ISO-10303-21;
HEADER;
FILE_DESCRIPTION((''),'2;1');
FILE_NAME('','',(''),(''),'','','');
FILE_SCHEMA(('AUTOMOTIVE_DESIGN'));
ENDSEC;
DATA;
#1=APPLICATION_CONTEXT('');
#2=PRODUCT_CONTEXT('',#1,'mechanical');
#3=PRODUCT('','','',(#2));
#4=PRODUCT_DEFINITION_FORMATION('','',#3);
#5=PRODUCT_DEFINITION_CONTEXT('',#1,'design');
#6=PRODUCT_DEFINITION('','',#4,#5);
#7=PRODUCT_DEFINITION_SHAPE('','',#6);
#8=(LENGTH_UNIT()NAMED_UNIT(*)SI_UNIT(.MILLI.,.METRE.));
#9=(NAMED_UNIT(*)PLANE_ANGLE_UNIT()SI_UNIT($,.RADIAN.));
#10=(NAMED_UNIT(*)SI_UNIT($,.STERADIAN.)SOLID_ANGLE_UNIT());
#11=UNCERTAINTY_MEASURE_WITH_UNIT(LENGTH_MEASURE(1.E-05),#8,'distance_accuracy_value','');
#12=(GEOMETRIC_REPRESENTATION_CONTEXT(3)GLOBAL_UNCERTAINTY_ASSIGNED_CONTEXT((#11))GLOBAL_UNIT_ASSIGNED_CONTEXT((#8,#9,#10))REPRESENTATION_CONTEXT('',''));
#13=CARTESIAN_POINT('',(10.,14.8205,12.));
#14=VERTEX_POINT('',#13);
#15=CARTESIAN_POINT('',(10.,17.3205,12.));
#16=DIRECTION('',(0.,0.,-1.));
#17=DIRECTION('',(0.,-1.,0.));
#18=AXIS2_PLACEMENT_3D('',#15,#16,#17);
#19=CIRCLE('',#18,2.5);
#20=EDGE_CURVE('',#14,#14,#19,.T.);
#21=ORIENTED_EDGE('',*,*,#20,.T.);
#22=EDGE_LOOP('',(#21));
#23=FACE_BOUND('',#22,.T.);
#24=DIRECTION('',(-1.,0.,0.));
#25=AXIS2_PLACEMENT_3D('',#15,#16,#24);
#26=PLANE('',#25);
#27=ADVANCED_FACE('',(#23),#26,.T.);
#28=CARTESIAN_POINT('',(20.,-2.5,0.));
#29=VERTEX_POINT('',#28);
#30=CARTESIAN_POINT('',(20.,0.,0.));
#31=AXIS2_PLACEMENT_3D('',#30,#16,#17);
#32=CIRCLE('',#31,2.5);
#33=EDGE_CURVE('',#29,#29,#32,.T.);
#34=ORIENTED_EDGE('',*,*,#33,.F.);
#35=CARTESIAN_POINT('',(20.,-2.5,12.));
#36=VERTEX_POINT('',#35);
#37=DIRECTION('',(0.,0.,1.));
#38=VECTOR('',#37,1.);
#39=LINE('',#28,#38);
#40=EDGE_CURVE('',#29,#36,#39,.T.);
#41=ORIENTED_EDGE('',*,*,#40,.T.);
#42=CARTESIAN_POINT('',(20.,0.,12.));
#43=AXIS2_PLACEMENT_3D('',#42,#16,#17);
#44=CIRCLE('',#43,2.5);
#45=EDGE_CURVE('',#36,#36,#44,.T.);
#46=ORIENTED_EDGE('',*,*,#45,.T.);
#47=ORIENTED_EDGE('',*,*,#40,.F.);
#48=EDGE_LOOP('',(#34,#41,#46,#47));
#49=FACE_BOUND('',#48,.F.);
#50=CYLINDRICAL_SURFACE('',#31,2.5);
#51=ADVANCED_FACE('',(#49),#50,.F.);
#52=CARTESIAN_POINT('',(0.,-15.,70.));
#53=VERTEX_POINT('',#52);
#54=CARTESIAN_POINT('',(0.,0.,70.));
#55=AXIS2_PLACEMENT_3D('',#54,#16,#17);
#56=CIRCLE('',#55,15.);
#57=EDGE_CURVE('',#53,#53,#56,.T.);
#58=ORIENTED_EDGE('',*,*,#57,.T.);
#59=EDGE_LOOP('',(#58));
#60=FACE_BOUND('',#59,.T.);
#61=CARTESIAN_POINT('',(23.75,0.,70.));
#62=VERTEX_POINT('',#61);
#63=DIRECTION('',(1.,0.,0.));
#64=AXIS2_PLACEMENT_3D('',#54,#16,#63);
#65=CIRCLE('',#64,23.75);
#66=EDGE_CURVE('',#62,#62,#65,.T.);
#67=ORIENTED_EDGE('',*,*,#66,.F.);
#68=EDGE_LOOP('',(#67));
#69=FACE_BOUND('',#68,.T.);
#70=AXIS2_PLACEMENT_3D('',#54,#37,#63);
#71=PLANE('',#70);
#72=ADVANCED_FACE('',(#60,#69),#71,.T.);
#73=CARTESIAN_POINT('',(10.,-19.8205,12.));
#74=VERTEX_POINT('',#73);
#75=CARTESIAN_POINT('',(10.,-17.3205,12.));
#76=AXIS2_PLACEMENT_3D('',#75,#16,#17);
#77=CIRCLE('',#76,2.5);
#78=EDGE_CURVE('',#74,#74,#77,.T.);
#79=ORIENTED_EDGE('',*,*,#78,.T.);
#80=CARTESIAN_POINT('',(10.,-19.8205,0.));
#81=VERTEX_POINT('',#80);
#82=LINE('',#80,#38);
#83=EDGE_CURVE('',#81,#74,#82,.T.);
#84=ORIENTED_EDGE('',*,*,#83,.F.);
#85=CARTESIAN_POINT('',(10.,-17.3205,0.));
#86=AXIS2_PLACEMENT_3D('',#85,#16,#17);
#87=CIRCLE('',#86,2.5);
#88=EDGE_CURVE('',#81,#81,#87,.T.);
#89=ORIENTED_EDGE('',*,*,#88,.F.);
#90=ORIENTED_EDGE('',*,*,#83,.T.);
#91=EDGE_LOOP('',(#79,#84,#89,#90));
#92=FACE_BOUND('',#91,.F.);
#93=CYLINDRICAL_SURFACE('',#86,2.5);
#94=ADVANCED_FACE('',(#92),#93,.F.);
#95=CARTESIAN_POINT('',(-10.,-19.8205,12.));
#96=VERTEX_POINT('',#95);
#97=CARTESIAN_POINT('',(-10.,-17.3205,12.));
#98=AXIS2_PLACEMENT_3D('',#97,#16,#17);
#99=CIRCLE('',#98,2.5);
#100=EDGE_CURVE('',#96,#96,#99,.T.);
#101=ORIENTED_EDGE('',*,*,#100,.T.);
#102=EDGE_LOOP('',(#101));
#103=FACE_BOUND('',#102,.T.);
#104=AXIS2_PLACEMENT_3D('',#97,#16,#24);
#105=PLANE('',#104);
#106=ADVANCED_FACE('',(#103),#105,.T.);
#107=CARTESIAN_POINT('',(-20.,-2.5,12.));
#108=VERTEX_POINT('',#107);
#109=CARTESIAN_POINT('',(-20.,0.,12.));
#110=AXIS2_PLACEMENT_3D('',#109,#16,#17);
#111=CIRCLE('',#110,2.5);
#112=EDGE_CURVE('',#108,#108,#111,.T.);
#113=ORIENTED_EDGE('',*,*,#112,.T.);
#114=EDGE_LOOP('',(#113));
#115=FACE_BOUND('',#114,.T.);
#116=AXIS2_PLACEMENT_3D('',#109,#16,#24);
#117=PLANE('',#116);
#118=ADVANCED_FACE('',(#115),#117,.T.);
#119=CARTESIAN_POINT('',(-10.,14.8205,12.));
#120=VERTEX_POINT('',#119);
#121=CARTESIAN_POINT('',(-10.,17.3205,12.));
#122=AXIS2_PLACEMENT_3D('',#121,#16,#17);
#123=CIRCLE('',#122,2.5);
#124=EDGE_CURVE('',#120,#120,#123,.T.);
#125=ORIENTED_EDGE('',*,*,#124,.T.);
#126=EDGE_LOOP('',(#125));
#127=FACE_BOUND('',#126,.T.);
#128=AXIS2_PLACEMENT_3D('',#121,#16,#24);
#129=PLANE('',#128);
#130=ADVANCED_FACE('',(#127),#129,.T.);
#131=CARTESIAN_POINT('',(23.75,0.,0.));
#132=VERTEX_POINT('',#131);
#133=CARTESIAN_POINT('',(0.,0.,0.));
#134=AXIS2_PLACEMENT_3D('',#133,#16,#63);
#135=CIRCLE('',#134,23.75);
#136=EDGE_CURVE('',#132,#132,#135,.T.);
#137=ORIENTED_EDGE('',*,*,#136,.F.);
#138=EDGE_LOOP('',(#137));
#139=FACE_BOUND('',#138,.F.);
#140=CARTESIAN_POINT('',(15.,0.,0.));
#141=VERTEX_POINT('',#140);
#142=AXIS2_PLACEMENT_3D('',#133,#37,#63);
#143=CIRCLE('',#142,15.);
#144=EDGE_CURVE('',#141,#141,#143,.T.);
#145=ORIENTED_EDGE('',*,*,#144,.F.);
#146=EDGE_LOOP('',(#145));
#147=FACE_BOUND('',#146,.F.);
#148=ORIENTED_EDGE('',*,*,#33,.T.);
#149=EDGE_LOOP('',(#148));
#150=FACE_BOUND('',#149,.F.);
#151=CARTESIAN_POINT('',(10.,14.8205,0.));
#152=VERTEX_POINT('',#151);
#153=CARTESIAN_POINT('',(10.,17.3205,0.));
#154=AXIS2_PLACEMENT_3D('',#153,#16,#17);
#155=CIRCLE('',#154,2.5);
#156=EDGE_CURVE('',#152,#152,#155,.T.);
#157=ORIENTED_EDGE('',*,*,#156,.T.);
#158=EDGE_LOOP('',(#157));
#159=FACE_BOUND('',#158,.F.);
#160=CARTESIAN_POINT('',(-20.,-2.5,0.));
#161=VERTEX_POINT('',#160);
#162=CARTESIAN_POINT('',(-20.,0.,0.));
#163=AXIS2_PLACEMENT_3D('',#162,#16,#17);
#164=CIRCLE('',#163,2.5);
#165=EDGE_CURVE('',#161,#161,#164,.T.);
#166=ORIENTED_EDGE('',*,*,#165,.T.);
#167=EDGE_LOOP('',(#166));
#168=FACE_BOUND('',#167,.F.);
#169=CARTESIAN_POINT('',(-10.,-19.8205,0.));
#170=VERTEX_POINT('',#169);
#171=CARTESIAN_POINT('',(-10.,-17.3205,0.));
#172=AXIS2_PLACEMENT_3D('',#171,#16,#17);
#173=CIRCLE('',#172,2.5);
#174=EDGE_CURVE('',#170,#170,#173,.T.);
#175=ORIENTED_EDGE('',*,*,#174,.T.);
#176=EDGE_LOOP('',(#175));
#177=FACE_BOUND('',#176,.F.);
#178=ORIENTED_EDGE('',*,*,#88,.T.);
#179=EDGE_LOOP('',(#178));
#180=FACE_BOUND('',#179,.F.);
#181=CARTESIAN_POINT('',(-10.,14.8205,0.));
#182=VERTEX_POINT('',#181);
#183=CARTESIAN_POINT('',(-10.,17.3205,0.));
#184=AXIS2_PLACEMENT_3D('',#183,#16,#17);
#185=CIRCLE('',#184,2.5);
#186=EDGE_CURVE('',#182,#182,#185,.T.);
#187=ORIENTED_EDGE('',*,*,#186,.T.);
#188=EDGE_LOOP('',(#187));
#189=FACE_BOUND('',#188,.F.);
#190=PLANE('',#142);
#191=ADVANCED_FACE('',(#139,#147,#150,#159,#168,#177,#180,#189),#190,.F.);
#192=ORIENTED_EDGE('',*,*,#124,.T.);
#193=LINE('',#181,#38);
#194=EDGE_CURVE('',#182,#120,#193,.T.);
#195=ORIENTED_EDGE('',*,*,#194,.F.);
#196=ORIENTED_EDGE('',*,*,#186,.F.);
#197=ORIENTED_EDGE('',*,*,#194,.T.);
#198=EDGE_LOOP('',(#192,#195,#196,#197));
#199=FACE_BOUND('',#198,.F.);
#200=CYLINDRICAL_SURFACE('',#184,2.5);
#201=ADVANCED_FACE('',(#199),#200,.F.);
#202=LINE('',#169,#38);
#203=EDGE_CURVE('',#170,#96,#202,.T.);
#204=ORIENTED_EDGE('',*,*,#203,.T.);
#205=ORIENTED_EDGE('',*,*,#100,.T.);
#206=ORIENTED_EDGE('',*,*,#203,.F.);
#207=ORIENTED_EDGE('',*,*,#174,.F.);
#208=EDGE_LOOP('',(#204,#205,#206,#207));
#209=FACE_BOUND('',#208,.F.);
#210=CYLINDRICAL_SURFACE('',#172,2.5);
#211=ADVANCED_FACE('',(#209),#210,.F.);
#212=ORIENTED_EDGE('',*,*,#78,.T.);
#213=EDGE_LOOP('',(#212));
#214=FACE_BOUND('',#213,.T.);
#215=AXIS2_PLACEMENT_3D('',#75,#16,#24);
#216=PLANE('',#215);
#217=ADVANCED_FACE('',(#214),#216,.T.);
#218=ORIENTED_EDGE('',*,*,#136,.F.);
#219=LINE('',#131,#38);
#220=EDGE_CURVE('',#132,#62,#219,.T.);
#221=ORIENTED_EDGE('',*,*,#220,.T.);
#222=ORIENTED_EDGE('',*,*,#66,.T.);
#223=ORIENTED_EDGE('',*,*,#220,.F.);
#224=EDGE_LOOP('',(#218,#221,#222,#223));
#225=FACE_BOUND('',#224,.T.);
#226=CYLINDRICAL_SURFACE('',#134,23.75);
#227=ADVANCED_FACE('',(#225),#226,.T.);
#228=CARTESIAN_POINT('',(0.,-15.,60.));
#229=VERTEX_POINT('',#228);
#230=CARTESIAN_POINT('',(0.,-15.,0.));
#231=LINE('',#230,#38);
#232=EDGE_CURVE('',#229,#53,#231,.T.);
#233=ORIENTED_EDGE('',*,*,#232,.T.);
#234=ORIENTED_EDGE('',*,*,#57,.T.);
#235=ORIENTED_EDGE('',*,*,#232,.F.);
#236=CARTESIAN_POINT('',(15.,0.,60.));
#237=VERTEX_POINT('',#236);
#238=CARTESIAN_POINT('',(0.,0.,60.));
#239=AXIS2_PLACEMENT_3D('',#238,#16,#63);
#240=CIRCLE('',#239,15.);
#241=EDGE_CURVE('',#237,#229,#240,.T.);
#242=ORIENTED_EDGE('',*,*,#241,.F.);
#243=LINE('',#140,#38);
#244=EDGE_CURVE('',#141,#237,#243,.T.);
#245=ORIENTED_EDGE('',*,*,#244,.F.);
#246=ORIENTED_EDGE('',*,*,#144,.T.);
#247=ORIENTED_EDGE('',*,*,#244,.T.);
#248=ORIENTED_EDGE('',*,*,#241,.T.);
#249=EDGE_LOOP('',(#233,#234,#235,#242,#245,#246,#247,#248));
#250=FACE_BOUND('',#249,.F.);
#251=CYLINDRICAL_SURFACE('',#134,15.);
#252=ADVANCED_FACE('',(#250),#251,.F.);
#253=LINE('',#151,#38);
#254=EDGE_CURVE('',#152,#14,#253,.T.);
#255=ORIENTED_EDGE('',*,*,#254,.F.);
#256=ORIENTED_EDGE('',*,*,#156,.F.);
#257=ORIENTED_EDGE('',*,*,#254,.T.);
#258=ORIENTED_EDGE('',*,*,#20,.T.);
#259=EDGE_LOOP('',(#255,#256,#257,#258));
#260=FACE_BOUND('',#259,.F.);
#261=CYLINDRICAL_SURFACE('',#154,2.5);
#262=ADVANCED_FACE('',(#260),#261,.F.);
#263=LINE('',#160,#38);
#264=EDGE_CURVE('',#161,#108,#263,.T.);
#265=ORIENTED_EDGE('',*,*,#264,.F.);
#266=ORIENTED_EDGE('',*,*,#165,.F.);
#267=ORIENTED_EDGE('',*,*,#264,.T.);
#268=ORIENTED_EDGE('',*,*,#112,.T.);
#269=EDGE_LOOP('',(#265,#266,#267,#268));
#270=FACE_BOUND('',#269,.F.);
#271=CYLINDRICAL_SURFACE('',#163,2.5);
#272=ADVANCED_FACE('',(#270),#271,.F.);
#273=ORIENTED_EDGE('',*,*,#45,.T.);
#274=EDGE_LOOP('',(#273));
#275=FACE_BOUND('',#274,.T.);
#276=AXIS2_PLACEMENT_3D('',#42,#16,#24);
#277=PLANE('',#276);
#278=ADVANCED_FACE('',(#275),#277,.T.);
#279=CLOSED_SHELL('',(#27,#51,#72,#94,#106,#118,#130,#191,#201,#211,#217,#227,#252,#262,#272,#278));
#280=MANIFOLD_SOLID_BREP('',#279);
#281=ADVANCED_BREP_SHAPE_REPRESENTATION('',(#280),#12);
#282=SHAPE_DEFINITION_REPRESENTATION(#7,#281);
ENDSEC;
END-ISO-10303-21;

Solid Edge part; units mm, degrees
sketch "Sketch1" plane through (0, 0, 0) normal (0, 0, 1) x (1, 0, 0)
  circle A0 centre (0, 0) radius 25
extrude "Protrusion1" add sketch "Sketch1" along normal blind 70
sketch "Sketch2" plane through (0, 0, 0) normal (0, 0, -1) x (0, -1, 0)
  circle A0 centre (0, 20) radius 2.5
  circle A1 centre (17.3205, 10) radius 2.5
  circle A2 centre (17.3205, -10) radius 2.5
  circle A3 centre (0, -20) radius 2.5
  circle A4 centre (-17.3205, -10) radius 2.5
  circle A5 centre (-17.3205, 10) radius 2.5
extrude "ExtrudedCutout_1" cut sketch "Sketch2" against normal blind 12
sketch "Sketch3" plane through (0, 0, 0) normal (0, 0, -1) x (1, 0, 0)
  circle A0 centre (0, 0) radius 15
extrude "ExtrudedCutout_3" cut sketch "Sketch3" against normal blind 60
sketch "Sketch4" plane through (0, 0, 0) normal (0, 0, -1) x (0, -1, 0)
  circle A0 centre (0, 0) radius 15
extrude "ExtrudedCutout_4" cut sketch "Sketch4" against normal blind 70
sketch "Sketch5" plane through (0, 0, 0) normal (0, 0, -1) x (1, 0, 0)
  circle A0 centre (0, 0) radius 23.75
  circle A1 centre (0, 0) radius 25
extrude "Cutout1" cut sketch "Sketch5" against normal up to vertex (70 mm away)
